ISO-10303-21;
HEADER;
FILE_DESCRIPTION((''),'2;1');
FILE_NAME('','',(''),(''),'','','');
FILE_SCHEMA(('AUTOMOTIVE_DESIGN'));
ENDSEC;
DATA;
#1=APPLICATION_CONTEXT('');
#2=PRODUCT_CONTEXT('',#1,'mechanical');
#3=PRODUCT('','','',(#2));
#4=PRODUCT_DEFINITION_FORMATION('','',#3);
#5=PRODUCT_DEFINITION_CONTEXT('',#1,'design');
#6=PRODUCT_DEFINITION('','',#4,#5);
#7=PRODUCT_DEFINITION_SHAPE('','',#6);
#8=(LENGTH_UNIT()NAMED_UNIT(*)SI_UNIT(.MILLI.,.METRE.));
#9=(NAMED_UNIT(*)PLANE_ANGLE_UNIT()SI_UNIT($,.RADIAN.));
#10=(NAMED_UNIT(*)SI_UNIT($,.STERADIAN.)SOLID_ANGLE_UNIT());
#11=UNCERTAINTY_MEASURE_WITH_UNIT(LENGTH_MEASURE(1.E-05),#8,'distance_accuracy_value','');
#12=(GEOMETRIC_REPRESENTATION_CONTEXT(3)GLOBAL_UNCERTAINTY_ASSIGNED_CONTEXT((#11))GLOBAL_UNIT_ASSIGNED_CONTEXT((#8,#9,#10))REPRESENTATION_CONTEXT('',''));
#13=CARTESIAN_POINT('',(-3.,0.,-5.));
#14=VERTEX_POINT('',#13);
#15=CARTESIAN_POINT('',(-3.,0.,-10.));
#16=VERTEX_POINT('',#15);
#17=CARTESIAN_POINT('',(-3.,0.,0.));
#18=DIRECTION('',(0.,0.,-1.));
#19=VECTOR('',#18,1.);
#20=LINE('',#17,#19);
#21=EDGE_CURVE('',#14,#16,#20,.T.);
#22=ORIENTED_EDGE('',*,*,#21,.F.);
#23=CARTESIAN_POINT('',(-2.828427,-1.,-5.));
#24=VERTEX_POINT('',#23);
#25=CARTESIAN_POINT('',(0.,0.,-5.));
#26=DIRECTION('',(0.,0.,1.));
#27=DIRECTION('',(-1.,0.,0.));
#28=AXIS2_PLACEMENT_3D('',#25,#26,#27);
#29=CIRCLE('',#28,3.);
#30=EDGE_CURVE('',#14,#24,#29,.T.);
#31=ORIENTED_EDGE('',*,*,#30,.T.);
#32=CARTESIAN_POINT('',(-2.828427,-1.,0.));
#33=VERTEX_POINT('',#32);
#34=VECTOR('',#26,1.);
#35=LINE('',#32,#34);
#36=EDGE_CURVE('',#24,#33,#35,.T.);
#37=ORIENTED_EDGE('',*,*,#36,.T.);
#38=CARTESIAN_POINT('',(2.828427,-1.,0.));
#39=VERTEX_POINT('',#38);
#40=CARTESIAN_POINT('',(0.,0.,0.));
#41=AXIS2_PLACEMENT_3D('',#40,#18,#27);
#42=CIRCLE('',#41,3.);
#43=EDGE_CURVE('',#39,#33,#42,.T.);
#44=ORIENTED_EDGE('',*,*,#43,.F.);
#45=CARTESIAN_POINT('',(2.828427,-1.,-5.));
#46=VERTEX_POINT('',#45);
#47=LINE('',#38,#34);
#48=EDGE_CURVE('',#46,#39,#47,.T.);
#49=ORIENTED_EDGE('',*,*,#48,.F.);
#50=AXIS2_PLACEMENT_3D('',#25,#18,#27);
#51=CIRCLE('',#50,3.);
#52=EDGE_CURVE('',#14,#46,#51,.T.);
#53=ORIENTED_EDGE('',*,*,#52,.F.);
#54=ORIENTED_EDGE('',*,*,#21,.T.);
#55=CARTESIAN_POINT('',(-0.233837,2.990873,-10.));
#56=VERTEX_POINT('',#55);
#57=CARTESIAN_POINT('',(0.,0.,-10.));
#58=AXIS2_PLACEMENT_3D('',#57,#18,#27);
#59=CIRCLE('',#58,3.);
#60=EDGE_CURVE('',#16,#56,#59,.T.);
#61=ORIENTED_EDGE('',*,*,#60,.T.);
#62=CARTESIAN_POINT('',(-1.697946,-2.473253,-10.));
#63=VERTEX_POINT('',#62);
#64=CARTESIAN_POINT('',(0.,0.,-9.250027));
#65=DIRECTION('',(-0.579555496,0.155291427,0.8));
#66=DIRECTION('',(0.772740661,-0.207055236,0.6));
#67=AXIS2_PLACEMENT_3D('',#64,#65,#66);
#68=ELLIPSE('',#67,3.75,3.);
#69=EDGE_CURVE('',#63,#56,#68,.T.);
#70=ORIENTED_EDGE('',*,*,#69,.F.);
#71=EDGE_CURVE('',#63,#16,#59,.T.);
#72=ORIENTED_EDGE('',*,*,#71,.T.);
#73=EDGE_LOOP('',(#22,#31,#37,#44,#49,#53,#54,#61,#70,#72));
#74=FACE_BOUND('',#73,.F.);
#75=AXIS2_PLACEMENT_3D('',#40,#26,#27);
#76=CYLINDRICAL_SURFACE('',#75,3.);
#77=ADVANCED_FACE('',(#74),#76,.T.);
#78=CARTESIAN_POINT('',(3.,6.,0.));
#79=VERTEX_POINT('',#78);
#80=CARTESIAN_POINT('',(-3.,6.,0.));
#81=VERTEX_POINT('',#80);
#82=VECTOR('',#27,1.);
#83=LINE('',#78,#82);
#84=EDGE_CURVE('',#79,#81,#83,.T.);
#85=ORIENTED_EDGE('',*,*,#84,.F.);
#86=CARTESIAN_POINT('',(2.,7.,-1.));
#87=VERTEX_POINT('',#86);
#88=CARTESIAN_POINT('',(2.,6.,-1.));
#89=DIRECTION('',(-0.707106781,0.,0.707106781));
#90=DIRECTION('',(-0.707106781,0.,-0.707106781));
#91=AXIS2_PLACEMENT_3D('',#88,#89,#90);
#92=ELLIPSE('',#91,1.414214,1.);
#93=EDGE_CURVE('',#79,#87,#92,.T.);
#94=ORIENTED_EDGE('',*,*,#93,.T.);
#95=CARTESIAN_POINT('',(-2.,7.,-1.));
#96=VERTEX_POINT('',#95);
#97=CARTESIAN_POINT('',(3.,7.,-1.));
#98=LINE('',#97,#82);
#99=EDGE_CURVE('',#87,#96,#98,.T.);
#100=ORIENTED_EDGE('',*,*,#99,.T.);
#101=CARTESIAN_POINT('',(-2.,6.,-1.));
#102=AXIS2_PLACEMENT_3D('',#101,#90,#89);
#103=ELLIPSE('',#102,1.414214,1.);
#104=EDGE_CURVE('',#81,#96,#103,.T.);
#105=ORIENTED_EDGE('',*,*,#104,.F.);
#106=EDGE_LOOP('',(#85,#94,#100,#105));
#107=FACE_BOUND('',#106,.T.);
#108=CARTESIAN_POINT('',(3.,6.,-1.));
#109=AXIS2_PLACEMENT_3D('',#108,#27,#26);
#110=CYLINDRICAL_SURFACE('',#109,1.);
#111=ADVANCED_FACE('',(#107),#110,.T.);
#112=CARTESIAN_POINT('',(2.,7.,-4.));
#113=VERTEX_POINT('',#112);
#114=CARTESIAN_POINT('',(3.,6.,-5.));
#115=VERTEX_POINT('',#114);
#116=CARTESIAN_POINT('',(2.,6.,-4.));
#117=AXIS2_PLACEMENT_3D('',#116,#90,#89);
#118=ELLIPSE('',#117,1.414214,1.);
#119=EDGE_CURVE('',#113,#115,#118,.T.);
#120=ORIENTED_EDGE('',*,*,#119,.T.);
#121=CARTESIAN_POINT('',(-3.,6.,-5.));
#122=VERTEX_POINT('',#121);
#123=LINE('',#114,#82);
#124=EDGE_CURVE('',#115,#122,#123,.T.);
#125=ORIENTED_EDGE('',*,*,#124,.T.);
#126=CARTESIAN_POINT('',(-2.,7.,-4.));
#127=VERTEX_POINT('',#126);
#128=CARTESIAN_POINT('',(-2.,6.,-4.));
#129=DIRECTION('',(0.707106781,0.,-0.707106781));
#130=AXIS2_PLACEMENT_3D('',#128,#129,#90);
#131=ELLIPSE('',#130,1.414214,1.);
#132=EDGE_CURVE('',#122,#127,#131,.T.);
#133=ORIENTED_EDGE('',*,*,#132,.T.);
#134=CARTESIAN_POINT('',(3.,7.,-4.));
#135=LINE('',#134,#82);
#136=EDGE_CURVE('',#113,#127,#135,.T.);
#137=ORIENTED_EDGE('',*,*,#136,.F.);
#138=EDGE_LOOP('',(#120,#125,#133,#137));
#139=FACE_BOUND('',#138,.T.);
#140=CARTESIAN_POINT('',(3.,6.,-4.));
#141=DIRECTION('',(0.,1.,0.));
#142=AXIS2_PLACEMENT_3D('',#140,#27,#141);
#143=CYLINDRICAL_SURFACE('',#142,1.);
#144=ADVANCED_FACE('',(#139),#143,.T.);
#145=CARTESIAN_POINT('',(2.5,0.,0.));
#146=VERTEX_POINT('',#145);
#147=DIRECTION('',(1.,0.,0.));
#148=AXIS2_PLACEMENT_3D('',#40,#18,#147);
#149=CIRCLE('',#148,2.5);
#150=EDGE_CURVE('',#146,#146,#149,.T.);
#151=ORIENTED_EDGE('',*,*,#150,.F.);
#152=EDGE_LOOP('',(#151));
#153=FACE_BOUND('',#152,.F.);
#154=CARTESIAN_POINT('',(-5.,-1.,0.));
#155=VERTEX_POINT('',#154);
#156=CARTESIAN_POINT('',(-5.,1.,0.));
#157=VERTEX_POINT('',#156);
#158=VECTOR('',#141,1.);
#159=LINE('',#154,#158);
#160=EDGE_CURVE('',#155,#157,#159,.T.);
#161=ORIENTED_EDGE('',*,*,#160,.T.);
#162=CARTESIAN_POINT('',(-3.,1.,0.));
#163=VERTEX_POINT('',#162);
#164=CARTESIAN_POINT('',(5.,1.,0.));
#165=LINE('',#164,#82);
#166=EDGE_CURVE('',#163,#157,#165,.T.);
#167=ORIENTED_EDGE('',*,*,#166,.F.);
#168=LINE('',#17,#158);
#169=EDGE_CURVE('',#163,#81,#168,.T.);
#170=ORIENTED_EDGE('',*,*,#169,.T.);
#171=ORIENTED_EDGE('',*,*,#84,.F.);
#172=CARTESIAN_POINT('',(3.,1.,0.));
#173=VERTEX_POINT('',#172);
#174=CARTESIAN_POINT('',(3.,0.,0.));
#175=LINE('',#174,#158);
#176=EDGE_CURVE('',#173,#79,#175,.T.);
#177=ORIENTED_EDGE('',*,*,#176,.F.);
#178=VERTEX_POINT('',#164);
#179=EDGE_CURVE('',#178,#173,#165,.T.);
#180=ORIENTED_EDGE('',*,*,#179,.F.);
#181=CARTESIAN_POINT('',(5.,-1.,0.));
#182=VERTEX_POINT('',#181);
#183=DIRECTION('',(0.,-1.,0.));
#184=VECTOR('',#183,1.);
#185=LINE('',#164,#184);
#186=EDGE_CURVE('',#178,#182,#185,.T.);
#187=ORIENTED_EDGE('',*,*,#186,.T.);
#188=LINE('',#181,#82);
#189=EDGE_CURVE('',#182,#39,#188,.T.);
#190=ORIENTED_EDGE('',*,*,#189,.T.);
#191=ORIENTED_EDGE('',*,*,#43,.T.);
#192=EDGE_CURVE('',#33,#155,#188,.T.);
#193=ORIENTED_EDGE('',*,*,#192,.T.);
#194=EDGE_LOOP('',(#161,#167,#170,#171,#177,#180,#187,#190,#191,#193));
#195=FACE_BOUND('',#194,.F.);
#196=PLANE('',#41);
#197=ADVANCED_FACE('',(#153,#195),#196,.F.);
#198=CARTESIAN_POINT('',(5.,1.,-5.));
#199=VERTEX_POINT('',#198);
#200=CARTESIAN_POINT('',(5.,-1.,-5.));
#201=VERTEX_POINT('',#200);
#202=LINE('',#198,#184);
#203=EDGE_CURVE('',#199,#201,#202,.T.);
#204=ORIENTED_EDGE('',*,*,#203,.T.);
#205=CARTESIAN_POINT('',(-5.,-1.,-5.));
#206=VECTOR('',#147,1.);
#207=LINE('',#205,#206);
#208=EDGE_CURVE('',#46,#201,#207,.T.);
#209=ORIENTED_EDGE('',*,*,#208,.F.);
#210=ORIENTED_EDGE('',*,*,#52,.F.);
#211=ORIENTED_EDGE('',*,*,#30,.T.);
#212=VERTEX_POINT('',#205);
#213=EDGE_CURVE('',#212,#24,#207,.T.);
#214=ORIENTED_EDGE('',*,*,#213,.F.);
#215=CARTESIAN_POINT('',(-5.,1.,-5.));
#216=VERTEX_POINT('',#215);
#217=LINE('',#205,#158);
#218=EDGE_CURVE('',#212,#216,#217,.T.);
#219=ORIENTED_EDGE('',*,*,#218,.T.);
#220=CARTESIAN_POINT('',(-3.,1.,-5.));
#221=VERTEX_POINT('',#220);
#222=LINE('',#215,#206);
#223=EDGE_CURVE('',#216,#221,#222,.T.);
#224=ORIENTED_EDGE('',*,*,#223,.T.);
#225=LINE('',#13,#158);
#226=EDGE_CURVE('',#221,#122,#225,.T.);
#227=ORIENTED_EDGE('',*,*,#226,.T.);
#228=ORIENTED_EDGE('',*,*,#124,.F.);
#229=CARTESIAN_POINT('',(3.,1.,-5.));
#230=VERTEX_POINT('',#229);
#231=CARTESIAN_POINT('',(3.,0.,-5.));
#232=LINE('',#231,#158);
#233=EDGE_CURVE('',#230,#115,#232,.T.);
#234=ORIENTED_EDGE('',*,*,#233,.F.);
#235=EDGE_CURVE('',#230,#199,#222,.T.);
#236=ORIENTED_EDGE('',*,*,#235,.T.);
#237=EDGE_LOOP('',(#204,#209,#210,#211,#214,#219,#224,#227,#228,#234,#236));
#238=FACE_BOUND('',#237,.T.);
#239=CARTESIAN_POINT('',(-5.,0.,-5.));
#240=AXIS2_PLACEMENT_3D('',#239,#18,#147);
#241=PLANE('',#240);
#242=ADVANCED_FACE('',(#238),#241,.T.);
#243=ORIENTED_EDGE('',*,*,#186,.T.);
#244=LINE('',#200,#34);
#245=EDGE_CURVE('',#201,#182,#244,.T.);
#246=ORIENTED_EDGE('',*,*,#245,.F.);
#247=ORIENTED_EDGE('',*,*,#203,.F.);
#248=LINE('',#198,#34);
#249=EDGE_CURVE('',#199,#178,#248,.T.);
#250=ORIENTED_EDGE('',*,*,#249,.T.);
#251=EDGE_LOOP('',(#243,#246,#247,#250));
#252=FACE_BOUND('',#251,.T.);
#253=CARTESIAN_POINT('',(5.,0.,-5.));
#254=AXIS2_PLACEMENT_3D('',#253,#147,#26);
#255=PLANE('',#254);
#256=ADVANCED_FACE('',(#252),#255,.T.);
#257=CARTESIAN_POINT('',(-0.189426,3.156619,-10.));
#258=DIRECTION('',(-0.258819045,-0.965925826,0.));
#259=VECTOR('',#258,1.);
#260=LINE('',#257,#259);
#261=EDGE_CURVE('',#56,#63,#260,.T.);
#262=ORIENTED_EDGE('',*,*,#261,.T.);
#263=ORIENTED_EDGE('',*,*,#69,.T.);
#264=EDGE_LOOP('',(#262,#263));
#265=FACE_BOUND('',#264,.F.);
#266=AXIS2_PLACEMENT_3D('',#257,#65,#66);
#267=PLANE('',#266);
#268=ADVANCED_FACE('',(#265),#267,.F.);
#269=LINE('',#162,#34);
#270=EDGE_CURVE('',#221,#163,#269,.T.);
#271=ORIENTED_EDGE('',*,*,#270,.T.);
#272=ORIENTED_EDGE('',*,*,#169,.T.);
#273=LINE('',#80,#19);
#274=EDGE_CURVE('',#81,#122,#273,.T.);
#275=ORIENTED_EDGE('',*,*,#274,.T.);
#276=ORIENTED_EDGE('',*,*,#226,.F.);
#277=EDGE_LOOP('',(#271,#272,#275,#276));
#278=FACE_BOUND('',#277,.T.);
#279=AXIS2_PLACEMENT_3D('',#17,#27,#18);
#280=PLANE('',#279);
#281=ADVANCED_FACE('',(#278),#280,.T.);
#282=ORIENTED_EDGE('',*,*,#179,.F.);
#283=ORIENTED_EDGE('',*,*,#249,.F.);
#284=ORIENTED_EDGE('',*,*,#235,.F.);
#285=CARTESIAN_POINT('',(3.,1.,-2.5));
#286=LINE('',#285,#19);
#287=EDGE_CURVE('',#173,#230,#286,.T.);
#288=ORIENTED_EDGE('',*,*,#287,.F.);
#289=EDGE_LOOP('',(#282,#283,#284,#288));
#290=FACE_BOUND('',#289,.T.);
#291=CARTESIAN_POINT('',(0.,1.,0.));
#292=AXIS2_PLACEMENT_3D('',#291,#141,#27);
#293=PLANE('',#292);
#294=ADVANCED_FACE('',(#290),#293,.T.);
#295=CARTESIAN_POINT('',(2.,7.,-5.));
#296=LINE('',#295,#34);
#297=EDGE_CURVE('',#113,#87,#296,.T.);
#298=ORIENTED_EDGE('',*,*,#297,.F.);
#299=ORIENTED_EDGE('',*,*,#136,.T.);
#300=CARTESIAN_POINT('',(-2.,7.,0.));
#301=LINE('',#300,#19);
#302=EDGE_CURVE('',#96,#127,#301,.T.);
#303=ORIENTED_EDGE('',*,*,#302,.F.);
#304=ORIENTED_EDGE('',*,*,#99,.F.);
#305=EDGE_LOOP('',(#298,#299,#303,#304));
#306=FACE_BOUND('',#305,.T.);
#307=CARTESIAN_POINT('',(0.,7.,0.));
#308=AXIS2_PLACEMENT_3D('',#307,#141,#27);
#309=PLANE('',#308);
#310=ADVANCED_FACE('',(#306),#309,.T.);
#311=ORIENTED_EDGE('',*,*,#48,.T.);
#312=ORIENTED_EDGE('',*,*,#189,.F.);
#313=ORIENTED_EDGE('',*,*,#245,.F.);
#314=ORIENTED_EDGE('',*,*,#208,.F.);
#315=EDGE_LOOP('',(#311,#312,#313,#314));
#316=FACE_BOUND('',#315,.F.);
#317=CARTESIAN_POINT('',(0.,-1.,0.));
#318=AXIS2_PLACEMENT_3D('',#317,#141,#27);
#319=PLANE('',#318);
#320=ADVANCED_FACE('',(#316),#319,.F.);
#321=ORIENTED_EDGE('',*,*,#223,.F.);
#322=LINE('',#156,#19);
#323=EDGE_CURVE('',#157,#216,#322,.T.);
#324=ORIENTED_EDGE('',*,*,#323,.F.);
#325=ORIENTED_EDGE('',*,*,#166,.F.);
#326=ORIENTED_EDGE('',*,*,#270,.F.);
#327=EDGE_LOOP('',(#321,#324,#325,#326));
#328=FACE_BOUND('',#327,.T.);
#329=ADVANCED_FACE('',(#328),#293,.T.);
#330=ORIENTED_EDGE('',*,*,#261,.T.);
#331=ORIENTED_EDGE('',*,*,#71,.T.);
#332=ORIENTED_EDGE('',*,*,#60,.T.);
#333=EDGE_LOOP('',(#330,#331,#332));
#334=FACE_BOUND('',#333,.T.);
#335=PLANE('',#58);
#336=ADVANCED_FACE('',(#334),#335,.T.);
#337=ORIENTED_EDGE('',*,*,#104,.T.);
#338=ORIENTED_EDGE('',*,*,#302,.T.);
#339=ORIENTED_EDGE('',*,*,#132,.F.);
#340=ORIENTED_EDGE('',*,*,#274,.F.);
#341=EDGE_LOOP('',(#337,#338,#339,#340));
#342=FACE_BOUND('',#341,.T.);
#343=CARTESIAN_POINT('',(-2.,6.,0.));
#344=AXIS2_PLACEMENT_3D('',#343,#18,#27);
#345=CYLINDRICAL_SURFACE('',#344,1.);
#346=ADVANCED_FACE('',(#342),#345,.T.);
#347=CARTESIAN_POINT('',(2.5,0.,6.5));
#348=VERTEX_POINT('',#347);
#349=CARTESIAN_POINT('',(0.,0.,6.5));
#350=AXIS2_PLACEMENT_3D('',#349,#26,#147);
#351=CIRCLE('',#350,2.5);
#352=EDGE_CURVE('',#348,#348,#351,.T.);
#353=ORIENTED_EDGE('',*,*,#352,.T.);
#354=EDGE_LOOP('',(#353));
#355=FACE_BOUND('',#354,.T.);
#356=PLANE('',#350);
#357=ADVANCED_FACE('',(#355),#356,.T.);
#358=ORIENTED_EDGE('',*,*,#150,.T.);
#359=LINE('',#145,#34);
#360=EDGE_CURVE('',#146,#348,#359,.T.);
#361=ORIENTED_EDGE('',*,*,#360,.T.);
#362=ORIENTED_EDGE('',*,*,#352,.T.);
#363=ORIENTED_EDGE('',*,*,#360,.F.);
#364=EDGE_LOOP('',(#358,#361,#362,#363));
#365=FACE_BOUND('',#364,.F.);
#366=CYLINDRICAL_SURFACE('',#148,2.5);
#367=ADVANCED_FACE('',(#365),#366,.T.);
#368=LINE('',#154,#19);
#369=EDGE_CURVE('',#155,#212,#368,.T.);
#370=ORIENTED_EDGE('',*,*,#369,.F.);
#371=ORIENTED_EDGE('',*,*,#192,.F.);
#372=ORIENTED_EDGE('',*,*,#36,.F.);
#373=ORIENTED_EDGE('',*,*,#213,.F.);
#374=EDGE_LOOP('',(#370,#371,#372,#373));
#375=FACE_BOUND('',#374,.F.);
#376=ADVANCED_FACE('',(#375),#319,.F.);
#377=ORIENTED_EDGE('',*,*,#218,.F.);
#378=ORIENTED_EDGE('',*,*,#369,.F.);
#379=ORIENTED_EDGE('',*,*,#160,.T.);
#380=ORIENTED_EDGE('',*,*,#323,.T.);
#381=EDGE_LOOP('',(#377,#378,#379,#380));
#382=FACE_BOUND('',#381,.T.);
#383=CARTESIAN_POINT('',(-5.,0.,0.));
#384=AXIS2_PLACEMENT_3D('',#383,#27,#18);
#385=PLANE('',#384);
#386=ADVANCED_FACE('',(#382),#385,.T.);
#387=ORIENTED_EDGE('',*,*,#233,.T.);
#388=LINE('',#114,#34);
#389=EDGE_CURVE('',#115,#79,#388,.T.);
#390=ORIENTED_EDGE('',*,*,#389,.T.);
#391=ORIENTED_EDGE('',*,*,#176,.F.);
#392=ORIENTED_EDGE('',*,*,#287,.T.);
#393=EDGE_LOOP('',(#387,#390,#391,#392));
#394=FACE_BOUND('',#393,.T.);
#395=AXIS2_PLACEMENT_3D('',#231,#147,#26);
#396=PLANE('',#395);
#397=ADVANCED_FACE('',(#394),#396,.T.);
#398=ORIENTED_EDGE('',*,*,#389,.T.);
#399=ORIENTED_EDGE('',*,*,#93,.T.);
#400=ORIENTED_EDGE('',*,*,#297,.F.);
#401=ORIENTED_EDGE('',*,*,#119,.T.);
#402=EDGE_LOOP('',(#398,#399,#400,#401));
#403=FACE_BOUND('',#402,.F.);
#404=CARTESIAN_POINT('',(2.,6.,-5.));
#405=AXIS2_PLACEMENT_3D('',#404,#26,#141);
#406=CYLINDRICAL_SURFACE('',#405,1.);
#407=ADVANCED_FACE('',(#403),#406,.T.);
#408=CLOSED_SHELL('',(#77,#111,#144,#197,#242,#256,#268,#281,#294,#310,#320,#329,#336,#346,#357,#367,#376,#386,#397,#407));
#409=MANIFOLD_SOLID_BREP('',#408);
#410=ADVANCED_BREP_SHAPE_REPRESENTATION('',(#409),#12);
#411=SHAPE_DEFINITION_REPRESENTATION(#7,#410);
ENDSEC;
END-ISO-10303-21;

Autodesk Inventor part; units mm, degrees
sketch "スケッチ1" plane through (0, 0, 0) normal (0, 0, 1) x (1, 0, 0)
  point P0 (0, 0)
sketch "スケッチ2" plane through (0, 0, 0) normal (0, 0, 1) x (1, 0, 0)
  circle A0 centre (0, 0) radius 2.5
  dimension "d0" = 5
extrude "押し出し1" add sketch "スケッチ2" along normal blind 6.5
sketch "スケッチ3" plane through (0, 0, 0) normal (0, 0, -1) x (-1, 0, 0)
  circle A0 centre (0, 0) radius 3
  dimension "d3" = 6
extrude "押し出し2" add sketch "スケッチ3" along normal blind 10
sketch "スケッチ4" plane through (0, 0, 0) normal (0, 0, 1) x (1, 0, 0)
  circle A0 centre (0, 0) radius 3 projected
  point P0 (0, 3)
ref_plane "作業平面2" through (0, 0, 0) normal (0, 1, 0) x (-1, 0, 0)
ref_plane "作業平面1" through (0, 3, 0) normal (0, 1, 0) x (-1, 0, 0)
sketch "スケッチ5" plane through (0, 0, 0) normal (0, 1, 0) x (-1, 0, 0)
  line L0 (5, -5) -> (-5, -5)
  line L1 (-5, -5) -> (-5, 0)
  line L2 (-5, 0) -> (5, 0)
  line L3 (5, 0) -> (5, -5)
  point P0 (0, 0)
  dimension "d7" = 10
  dimension "d8" = 5
  dimension "d9" = 5
extrude "押し出し3" add sketch "スケッチ5" along normal mid plane 2
sketch "スケッチ6" plane through (0, 0, 0) normal (0, 1, 0) x (-1, 0, 0)
  line L0 (5, -5) -> (2.8284, -5) projected
  line L1 (-2.8284, 0) -> (-5, 0) projected
  line L2 (3, -5) -> (-3.9142, -5)
  line L3 (-3.9142, -5) -> (-3.9142, 0)
  line L4 (-3.9142, 0) -> (3, 0)
  line L5 (3, 0) -> (3, -5)
  line L6 (3.5037, -5) -> (-3, -5)
  line L7 (-3, -5) -> (-3, 0)
  line L8 (-3, 0) -> (3.5037, 0)
  line L9 (3.5037, 0) -> (3.5037, -5)
  point P0 (0, 0)
  dimension "d12" = 6
  dimension "d13" = 3
extrude "押し出し4" add sketch "スケッチ6" along normal blind 7 contours L0 L2 L7 L1 L4 L5
fillet "フィレット1" radius 1 4 edges at (0, 7, 0) (-3, 7, -2.5) (0, 7, -5) (3, 7, -2.5)
sketch "スケッチ7" plane through (0, 0, -10) normal (0, 0, -1) x (-1, 0, 0)
  arc A0 (2.8284, -1) -> (-2.8284, -1) centre (0, 0) ccw projected
  point P0 (3, 0)
ref_plane "作業平面3" through (-3, 0, -10) normal (-1, 0, 0) x (0, -1, 0)
sketch "スケッチ12" plane through (0, 0, -10) normal (0, 0, -1) x (-1, 0, 0)
  circle A0 centre (0, 0) radius 3 construction
  arc A1 (2.8284, -1) -> (-2.8284, -1) centre (0, 0) ccw construction
  line L0 (-0.7765, 2.8978) -> (0.7765, -2.8978) construction
  circle A2 centre (0, 0) radius 3 construction
  line L1 (3, 0) -> (-3, 0) construction
  dimension "d22" = 105
ref_plane "作業平面6" through (0.7765, 2.8978, -10) normal (-0.2588, -0.9659, 0) x (0.9659, -0.2588, 0)
sketch "スケッチ13" plane through (0.7765, 2.8978, -10) normal (-0.2588, -0.9659, 0) x (0.9659, -0.2588, 0)
  line L0 (-3, 0) -> (3, 0) projected
  line L1 (3, 0) -> (3, 3)
  line L2 (3, 5) -> (3, 0) projected
  line L3 (3, 0) -> (-1, 0)
  line L4 (-1, 0) -> (3, 3)
  point P0 (0, 10)
  dimension "d23" = 3
  dimension "d24" = 4
extrude "押し出し6" cut sketch "スケッチ13" along normal through all
equation "\"d9\" = 0.5 * d7"
equation "\"d13\" = 0.5 * d12"
properties part number "スライド"
